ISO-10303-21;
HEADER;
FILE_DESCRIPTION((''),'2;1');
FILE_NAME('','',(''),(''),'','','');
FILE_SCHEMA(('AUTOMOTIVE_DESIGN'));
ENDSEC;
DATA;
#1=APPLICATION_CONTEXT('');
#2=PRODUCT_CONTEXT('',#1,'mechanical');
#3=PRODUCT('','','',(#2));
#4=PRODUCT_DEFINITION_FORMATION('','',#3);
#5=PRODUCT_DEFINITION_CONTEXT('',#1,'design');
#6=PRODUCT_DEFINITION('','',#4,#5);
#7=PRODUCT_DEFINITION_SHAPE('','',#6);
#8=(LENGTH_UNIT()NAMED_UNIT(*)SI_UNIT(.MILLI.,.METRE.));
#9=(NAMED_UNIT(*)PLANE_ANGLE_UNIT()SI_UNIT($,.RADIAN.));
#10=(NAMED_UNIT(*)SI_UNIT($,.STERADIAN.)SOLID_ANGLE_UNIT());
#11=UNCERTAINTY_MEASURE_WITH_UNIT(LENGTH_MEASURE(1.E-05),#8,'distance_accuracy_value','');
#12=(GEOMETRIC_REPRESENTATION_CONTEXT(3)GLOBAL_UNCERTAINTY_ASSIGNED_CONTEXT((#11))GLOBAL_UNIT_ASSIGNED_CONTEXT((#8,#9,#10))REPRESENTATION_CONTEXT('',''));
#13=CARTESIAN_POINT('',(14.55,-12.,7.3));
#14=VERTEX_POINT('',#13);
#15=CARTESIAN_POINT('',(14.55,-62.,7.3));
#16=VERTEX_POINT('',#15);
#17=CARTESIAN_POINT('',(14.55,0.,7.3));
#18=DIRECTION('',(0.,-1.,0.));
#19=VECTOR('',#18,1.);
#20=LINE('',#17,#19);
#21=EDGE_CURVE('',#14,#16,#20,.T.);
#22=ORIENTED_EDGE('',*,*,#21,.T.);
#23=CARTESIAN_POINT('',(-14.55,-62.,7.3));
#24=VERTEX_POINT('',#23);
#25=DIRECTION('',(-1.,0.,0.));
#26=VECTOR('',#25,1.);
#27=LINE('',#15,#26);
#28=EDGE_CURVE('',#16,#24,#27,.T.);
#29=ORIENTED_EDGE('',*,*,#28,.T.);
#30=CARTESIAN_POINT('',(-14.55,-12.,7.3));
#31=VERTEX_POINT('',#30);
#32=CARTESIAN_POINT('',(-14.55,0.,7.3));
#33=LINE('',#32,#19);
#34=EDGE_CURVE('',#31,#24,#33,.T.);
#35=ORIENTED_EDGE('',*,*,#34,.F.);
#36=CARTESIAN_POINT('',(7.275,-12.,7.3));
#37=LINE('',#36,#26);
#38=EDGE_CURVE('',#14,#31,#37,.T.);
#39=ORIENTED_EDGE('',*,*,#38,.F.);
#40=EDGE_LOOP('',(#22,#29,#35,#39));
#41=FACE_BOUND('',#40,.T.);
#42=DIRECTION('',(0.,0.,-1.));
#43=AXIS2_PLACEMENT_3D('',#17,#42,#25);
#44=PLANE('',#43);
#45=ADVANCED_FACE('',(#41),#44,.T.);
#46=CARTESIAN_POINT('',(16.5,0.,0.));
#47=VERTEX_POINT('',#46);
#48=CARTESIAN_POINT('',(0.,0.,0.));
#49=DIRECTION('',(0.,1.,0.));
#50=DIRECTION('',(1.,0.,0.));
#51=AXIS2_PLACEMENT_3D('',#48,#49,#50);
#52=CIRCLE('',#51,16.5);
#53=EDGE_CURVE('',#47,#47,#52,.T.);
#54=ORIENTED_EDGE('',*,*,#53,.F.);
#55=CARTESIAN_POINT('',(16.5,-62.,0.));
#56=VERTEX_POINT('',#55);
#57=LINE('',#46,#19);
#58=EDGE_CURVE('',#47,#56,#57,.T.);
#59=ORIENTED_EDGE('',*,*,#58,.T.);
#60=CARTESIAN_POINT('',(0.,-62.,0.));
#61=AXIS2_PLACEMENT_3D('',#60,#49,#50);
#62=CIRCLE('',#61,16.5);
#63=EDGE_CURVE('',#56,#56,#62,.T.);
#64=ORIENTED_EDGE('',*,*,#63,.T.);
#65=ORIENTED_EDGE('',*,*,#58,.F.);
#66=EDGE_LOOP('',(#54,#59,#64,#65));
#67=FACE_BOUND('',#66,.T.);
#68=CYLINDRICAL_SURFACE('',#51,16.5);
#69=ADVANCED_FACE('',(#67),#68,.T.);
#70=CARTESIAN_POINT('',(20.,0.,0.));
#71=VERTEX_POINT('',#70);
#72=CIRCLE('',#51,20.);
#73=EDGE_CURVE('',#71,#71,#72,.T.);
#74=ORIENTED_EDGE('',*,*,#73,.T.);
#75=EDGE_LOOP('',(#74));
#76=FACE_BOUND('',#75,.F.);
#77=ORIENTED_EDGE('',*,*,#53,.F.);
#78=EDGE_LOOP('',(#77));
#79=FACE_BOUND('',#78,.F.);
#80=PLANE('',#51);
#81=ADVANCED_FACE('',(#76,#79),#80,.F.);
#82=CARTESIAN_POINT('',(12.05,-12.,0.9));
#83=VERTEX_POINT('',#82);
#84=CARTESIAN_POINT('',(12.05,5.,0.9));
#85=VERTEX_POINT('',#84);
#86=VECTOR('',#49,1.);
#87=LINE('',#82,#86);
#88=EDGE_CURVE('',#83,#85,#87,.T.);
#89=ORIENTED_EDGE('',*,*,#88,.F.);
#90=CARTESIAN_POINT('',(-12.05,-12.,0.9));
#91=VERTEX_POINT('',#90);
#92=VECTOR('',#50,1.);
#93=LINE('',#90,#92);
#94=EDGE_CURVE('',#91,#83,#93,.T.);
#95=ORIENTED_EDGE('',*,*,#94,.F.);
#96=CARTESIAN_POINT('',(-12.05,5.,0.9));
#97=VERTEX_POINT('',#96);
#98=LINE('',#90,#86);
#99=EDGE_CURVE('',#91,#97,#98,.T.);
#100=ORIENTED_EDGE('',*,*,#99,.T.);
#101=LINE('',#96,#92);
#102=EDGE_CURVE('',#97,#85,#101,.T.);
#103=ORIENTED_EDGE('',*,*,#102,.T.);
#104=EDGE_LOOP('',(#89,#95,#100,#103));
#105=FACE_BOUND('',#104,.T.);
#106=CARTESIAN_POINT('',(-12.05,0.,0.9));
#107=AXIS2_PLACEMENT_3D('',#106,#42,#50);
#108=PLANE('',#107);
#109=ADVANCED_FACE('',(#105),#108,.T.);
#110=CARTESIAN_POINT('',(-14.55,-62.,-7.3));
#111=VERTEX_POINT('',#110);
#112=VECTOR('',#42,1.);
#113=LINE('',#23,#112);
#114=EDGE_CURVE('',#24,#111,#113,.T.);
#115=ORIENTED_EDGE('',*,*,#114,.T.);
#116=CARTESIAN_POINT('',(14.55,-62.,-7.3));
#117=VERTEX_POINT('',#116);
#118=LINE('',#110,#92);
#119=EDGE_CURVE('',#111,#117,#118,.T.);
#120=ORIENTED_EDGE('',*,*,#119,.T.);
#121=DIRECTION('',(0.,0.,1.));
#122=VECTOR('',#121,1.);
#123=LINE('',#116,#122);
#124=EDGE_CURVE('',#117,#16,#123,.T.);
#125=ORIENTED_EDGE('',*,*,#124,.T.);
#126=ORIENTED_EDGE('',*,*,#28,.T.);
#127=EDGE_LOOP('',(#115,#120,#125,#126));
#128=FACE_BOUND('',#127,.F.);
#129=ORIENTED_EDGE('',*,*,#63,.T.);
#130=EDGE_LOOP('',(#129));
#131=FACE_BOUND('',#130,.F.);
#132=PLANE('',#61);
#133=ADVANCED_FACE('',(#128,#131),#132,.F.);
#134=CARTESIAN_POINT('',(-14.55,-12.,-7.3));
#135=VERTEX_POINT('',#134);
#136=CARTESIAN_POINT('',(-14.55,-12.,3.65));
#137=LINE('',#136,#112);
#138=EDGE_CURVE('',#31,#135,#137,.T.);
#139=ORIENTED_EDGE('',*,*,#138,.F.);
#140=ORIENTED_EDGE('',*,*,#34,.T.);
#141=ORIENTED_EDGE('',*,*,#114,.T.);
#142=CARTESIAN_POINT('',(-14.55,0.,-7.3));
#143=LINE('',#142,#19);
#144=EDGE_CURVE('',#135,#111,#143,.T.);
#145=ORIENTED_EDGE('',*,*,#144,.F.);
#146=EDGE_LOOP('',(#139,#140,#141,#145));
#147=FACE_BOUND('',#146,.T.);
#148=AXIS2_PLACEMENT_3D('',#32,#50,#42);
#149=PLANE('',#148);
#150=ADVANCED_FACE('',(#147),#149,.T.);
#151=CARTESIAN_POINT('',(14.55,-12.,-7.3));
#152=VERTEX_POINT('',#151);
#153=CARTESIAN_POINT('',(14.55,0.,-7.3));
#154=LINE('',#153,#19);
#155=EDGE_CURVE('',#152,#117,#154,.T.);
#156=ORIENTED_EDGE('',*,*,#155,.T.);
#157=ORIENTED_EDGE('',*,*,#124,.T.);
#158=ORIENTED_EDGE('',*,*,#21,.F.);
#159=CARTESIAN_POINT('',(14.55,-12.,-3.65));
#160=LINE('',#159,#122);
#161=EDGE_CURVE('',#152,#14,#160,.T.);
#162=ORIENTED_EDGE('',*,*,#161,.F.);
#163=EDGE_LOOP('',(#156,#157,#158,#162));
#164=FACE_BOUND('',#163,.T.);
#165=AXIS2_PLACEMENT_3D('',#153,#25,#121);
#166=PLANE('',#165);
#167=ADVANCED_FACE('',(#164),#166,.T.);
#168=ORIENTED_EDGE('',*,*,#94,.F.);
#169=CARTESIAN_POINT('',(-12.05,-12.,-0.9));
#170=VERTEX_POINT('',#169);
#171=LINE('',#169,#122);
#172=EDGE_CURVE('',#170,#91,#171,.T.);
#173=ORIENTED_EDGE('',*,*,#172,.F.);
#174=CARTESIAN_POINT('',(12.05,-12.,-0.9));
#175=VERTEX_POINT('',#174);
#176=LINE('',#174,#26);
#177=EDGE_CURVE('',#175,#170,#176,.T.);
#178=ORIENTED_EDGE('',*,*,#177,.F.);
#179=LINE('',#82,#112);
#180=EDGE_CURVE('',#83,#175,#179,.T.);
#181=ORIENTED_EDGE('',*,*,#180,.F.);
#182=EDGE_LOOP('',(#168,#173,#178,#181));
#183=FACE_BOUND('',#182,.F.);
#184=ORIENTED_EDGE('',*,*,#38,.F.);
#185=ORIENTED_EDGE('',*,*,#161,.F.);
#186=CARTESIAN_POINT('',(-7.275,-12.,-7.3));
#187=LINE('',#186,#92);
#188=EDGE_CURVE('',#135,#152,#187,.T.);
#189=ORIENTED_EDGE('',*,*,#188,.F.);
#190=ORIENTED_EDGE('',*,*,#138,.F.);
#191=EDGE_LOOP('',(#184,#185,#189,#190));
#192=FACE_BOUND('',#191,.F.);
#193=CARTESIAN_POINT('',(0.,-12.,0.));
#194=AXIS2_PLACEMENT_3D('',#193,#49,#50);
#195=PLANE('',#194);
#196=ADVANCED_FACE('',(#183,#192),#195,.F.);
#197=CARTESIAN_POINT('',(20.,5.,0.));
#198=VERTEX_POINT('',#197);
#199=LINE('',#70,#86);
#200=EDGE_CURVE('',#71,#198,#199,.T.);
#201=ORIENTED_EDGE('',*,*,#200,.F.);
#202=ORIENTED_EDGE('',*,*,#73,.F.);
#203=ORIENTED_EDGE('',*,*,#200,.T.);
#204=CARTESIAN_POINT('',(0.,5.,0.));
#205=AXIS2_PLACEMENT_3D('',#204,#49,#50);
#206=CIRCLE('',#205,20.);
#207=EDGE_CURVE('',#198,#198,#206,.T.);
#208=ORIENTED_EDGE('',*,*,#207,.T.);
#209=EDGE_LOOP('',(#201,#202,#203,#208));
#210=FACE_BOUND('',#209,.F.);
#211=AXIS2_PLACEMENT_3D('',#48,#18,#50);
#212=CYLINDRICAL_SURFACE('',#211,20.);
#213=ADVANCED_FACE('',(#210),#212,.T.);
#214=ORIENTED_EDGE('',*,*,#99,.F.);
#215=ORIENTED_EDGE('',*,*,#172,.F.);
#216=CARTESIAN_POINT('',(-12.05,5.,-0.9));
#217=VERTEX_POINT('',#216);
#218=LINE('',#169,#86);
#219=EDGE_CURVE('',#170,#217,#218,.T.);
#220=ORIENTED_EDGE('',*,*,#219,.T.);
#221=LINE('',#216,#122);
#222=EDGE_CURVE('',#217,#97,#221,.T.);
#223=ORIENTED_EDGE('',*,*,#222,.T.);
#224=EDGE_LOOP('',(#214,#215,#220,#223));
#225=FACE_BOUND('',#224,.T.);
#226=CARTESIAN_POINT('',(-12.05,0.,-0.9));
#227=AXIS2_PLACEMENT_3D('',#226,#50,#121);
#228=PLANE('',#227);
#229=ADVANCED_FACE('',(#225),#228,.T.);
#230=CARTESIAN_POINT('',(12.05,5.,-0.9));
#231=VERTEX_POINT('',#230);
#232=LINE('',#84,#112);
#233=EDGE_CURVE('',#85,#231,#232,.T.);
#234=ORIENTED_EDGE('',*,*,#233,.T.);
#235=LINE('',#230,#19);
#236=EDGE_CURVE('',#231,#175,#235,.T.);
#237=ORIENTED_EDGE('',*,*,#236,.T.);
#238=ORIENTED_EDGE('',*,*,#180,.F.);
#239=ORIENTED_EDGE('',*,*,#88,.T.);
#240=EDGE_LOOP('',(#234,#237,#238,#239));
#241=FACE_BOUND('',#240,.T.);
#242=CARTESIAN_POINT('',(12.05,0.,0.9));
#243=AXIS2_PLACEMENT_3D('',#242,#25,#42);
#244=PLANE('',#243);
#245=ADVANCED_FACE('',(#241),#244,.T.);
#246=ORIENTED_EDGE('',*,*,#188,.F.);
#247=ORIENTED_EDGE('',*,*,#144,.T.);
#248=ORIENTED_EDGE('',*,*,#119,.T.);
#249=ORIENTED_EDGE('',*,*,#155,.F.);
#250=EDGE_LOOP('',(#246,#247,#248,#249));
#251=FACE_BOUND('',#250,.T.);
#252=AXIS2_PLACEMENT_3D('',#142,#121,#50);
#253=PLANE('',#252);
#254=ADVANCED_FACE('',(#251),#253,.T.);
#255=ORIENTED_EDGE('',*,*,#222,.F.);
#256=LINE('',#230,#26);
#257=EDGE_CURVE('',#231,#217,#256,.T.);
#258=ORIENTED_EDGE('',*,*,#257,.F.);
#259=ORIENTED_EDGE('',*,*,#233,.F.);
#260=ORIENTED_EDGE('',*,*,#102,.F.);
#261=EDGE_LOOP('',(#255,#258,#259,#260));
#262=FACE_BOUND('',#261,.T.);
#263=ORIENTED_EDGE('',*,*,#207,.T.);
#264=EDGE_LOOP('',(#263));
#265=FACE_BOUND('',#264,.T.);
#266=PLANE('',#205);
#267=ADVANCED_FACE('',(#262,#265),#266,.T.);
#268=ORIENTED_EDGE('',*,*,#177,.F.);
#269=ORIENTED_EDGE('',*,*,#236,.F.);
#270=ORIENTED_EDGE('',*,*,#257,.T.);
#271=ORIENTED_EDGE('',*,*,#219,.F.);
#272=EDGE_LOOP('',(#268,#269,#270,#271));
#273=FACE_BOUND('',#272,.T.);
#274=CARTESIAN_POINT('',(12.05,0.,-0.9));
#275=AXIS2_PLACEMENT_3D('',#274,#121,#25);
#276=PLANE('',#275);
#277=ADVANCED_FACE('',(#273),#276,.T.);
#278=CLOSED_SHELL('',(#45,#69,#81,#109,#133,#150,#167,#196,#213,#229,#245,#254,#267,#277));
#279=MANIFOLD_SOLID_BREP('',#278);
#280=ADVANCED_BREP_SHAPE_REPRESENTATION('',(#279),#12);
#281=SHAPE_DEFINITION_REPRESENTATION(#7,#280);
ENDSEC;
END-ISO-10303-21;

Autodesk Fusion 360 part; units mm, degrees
sketch "Esquisse1" plane through (0, 0, 0) normal (0, 1, 0) x (1, 0, 0)
  circle A0 centre (0, 0) radius 20
  circle A1 centre (0, 0) radius 16.5
  line L0 (12.05, 0.9) -> (-12.05, 0.9)
  line L1 (-12.05, 0.9) -> (-12.05, -0.9)
  line L2 (-12.05, -0.9) -> (12.05, -0.9)
  line L3 (12.05, -0.9) -> (12.05, 0.9)
  line L4 (12.05, 0.9) -> (-12.05, -0.9) construction
  line L5 (-12.05, 0.9) -> (12.05, -0.9) construction
  line L6 (14.55, -7.3) -> (-14.55, -7.3)
  line L7 (-14.55, -7.3) -> (-14.55, 7.3)
  line L8 (-14.55, 7.3) -> (14.55, 7.3)
  line L9 (14.55, 7.3) -> (14.55, -7.3)
  line L10 (14.55, -7.3) -> (-14.55, 7.3) construction
  line L11 (-14.55, -7.3) -> (14.55, 7.3) construction
  dimension "d1" = 40
  dimension "d2" = 33
  dimension "d3" = 24.1
  dimension "d4" = 1.8
  dimension "d6" = 29.1
  dimension "d7" = 14.6
extrude "Extrusion1" add sketch "Esquisse1" along normal blind 5 contours A0 | A1 | L6 L7 L8 L9
extrude "Extrusion2" add sketch "Esquisse1" against normal blind 12 contours A1 | L6 L7 L8 L9
extrude "Extrusion3" add sketch "Esquisse1" against normal blind 62 contours A1
equation "d3 = 23.9 mm + err"
equation "d4 = 1.6 mm + ( err )"
equation "err = 0.2 mm" comment "erreur de l'impression"
equation "d6 = 28.9 mm + err"
equation "d7 = 14.4 mm + err"
equation "d12 = -12 mm - 50 mm"
